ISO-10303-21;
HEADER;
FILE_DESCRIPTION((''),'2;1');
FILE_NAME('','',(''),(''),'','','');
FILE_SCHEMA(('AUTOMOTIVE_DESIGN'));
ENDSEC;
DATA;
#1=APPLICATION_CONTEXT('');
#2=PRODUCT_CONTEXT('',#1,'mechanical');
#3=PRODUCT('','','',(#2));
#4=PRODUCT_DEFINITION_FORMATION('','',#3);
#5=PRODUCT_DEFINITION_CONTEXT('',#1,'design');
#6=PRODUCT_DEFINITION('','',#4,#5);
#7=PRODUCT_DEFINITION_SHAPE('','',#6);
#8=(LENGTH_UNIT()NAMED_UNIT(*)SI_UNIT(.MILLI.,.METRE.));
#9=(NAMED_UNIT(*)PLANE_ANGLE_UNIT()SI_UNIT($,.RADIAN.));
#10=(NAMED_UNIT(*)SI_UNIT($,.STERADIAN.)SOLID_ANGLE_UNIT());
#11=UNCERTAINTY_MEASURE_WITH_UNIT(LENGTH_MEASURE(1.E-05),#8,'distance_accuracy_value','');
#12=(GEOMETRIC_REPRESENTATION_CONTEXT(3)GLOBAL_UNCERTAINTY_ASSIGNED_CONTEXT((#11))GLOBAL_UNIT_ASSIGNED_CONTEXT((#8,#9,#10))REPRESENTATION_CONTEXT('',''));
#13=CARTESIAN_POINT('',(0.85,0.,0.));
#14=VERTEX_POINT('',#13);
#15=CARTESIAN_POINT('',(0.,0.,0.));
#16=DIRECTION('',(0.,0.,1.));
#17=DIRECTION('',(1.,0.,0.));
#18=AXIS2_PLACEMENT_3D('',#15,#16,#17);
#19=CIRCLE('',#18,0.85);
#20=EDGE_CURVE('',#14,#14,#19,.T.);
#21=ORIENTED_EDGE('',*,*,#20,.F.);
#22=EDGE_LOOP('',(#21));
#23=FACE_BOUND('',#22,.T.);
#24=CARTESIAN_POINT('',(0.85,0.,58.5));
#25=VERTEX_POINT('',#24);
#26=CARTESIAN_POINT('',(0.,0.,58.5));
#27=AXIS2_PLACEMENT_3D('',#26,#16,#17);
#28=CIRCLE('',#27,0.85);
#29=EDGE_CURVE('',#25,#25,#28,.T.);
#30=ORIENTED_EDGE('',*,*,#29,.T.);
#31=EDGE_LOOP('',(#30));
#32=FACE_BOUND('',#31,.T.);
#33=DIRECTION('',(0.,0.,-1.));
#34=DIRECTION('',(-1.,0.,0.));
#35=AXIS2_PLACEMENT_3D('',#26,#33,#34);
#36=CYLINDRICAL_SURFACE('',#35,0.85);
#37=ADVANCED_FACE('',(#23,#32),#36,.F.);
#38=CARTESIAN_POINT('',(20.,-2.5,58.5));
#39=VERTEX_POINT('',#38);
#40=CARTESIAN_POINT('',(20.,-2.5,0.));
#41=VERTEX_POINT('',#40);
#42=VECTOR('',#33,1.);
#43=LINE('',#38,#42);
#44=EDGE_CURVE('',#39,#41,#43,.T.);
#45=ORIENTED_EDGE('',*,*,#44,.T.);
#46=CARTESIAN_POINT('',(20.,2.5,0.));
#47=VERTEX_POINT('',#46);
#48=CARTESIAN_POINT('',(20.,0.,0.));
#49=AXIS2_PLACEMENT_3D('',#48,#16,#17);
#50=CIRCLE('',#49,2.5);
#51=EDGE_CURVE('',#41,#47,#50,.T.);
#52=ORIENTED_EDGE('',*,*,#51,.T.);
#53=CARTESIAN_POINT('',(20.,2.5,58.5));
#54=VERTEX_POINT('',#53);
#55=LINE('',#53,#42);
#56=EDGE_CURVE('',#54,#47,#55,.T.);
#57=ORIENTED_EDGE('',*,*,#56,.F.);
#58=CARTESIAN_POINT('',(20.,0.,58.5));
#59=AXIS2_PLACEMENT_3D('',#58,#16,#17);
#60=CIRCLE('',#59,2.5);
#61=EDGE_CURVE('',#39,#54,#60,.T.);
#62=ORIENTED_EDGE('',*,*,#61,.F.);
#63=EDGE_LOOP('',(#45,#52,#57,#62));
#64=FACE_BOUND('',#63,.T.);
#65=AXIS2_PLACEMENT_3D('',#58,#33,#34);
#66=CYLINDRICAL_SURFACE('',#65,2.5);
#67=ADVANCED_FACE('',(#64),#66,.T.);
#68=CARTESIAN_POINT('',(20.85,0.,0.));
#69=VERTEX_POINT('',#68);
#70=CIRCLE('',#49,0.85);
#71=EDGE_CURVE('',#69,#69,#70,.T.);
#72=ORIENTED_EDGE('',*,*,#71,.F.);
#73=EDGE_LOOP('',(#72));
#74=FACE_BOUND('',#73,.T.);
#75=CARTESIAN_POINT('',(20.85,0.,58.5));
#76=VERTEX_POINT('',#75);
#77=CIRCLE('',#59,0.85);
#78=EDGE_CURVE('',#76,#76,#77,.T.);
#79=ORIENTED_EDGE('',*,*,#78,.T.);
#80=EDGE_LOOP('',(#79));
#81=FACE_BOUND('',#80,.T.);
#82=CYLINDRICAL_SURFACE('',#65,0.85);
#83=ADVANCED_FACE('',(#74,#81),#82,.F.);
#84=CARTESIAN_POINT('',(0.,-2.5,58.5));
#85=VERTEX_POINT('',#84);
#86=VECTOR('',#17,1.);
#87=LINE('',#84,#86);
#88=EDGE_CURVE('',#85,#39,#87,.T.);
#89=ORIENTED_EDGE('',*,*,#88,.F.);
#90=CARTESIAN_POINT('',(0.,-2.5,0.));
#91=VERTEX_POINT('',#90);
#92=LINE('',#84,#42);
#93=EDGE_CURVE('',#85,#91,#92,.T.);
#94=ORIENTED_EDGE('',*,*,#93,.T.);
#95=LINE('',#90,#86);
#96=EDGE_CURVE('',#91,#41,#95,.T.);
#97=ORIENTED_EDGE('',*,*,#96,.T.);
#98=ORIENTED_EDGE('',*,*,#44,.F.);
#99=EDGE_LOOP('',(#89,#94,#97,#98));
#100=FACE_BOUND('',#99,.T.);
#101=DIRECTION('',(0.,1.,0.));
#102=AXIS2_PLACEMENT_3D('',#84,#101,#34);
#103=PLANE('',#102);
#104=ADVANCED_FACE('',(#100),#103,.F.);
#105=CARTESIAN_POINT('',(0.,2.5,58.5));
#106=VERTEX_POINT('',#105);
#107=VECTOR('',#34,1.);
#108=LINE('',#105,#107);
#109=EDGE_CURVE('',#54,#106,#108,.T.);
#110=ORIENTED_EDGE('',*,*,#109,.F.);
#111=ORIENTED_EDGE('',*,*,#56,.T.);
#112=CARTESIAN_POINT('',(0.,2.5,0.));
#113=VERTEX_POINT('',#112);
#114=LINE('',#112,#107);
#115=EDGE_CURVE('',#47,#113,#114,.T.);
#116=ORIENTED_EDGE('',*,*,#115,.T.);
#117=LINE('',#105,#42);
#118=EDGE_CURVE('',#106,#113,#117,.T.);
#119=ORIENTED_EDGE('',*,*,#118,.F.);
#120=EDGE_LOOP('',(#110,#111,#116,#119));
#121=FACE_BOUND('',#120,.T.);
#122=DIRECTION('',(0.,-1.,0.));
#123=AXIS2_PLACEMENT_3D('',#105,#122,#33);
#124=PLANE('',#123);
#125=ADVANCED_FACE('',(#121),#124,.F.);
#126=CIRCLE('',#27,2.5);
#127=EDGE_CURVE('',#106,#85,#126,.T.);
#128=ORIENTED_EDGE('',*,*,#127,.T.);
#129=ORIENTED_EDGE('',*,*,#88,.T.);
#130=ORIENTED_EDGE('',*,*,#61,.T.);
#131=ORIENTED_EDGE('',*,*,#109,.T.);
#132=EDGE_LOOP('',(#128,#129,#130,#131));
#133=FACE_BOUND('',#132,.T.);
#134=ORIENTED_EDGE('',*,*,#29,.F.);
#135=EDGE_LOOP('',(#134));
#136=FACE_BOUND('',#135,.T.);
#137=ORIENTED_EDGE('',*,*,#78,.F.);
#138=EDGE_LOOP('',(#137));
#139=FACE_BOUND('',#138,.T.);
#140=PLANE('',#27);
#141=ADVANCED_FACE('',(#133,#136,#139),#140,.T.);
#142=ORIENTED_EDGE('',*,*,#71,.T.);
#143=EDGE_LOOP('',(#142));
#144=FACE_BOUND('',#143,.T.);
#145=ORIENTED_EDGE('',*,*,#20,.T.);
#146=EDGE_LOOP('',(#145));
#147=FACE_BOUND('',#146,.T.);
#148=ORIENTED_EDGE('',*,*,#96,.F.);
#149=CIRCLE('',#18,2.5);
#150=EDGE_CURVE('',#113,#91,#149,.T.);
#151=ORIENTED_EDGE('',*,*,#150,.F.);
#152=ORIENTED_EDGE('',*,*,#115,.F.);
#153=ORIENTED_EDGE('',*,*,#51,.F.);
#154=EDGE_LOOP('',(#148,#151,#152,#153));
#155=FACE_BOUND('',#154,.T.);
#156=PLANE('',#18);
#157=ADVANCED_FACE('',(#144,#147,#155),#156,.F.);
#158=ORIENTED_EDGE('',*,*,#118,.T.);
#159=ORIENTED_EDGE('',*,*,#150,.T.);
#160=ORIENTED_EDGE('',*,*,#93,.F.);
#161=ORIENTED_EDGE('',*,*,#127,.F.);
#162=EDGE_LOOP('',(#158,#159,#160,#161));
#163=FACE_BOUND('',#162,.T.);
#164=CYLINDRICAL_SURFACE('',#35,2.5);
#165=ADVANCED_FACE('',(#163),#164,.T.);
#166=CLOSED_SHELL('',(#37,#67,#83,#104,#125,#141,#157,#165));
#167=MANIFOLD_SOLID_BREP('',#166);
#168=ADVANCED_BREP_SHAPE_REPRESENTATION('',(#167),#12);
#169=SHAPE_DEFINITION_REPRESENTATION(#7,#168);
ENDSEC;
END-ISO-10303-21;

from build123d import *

# Parameters (mm, degrees)
SKETCH_1_R      = 0.85
EXTRUDE_1_DEPTH = 58.5


with BuildPart() as part:
    # ｽｹｯﾁ1 → ﾎﾞｽ - 押し出し1 (new body)
    with BuildSketch(Plane.XY):
        with BuildLine():
            Line((0, 2.5), (20, 2.5))
            ThreePointArc((20, 2.5), (22.5, 0), (20, -2.5))
            Line((20, -2.5), (0, -2.5))
            ThreePointArc((0, -2.5), (-2.5, 0), (0, 2.5))
        make_face()
        Circle(SKETCH_1_R, mode=Mode.SUBTRACT)
        with Locations((20, 0)):
            Circle(SKETCH_1_R, mode=Mode.SUBTRACT)
    extrude(amount=EXTRUDE_1_DEPTH)


solid = part.part
